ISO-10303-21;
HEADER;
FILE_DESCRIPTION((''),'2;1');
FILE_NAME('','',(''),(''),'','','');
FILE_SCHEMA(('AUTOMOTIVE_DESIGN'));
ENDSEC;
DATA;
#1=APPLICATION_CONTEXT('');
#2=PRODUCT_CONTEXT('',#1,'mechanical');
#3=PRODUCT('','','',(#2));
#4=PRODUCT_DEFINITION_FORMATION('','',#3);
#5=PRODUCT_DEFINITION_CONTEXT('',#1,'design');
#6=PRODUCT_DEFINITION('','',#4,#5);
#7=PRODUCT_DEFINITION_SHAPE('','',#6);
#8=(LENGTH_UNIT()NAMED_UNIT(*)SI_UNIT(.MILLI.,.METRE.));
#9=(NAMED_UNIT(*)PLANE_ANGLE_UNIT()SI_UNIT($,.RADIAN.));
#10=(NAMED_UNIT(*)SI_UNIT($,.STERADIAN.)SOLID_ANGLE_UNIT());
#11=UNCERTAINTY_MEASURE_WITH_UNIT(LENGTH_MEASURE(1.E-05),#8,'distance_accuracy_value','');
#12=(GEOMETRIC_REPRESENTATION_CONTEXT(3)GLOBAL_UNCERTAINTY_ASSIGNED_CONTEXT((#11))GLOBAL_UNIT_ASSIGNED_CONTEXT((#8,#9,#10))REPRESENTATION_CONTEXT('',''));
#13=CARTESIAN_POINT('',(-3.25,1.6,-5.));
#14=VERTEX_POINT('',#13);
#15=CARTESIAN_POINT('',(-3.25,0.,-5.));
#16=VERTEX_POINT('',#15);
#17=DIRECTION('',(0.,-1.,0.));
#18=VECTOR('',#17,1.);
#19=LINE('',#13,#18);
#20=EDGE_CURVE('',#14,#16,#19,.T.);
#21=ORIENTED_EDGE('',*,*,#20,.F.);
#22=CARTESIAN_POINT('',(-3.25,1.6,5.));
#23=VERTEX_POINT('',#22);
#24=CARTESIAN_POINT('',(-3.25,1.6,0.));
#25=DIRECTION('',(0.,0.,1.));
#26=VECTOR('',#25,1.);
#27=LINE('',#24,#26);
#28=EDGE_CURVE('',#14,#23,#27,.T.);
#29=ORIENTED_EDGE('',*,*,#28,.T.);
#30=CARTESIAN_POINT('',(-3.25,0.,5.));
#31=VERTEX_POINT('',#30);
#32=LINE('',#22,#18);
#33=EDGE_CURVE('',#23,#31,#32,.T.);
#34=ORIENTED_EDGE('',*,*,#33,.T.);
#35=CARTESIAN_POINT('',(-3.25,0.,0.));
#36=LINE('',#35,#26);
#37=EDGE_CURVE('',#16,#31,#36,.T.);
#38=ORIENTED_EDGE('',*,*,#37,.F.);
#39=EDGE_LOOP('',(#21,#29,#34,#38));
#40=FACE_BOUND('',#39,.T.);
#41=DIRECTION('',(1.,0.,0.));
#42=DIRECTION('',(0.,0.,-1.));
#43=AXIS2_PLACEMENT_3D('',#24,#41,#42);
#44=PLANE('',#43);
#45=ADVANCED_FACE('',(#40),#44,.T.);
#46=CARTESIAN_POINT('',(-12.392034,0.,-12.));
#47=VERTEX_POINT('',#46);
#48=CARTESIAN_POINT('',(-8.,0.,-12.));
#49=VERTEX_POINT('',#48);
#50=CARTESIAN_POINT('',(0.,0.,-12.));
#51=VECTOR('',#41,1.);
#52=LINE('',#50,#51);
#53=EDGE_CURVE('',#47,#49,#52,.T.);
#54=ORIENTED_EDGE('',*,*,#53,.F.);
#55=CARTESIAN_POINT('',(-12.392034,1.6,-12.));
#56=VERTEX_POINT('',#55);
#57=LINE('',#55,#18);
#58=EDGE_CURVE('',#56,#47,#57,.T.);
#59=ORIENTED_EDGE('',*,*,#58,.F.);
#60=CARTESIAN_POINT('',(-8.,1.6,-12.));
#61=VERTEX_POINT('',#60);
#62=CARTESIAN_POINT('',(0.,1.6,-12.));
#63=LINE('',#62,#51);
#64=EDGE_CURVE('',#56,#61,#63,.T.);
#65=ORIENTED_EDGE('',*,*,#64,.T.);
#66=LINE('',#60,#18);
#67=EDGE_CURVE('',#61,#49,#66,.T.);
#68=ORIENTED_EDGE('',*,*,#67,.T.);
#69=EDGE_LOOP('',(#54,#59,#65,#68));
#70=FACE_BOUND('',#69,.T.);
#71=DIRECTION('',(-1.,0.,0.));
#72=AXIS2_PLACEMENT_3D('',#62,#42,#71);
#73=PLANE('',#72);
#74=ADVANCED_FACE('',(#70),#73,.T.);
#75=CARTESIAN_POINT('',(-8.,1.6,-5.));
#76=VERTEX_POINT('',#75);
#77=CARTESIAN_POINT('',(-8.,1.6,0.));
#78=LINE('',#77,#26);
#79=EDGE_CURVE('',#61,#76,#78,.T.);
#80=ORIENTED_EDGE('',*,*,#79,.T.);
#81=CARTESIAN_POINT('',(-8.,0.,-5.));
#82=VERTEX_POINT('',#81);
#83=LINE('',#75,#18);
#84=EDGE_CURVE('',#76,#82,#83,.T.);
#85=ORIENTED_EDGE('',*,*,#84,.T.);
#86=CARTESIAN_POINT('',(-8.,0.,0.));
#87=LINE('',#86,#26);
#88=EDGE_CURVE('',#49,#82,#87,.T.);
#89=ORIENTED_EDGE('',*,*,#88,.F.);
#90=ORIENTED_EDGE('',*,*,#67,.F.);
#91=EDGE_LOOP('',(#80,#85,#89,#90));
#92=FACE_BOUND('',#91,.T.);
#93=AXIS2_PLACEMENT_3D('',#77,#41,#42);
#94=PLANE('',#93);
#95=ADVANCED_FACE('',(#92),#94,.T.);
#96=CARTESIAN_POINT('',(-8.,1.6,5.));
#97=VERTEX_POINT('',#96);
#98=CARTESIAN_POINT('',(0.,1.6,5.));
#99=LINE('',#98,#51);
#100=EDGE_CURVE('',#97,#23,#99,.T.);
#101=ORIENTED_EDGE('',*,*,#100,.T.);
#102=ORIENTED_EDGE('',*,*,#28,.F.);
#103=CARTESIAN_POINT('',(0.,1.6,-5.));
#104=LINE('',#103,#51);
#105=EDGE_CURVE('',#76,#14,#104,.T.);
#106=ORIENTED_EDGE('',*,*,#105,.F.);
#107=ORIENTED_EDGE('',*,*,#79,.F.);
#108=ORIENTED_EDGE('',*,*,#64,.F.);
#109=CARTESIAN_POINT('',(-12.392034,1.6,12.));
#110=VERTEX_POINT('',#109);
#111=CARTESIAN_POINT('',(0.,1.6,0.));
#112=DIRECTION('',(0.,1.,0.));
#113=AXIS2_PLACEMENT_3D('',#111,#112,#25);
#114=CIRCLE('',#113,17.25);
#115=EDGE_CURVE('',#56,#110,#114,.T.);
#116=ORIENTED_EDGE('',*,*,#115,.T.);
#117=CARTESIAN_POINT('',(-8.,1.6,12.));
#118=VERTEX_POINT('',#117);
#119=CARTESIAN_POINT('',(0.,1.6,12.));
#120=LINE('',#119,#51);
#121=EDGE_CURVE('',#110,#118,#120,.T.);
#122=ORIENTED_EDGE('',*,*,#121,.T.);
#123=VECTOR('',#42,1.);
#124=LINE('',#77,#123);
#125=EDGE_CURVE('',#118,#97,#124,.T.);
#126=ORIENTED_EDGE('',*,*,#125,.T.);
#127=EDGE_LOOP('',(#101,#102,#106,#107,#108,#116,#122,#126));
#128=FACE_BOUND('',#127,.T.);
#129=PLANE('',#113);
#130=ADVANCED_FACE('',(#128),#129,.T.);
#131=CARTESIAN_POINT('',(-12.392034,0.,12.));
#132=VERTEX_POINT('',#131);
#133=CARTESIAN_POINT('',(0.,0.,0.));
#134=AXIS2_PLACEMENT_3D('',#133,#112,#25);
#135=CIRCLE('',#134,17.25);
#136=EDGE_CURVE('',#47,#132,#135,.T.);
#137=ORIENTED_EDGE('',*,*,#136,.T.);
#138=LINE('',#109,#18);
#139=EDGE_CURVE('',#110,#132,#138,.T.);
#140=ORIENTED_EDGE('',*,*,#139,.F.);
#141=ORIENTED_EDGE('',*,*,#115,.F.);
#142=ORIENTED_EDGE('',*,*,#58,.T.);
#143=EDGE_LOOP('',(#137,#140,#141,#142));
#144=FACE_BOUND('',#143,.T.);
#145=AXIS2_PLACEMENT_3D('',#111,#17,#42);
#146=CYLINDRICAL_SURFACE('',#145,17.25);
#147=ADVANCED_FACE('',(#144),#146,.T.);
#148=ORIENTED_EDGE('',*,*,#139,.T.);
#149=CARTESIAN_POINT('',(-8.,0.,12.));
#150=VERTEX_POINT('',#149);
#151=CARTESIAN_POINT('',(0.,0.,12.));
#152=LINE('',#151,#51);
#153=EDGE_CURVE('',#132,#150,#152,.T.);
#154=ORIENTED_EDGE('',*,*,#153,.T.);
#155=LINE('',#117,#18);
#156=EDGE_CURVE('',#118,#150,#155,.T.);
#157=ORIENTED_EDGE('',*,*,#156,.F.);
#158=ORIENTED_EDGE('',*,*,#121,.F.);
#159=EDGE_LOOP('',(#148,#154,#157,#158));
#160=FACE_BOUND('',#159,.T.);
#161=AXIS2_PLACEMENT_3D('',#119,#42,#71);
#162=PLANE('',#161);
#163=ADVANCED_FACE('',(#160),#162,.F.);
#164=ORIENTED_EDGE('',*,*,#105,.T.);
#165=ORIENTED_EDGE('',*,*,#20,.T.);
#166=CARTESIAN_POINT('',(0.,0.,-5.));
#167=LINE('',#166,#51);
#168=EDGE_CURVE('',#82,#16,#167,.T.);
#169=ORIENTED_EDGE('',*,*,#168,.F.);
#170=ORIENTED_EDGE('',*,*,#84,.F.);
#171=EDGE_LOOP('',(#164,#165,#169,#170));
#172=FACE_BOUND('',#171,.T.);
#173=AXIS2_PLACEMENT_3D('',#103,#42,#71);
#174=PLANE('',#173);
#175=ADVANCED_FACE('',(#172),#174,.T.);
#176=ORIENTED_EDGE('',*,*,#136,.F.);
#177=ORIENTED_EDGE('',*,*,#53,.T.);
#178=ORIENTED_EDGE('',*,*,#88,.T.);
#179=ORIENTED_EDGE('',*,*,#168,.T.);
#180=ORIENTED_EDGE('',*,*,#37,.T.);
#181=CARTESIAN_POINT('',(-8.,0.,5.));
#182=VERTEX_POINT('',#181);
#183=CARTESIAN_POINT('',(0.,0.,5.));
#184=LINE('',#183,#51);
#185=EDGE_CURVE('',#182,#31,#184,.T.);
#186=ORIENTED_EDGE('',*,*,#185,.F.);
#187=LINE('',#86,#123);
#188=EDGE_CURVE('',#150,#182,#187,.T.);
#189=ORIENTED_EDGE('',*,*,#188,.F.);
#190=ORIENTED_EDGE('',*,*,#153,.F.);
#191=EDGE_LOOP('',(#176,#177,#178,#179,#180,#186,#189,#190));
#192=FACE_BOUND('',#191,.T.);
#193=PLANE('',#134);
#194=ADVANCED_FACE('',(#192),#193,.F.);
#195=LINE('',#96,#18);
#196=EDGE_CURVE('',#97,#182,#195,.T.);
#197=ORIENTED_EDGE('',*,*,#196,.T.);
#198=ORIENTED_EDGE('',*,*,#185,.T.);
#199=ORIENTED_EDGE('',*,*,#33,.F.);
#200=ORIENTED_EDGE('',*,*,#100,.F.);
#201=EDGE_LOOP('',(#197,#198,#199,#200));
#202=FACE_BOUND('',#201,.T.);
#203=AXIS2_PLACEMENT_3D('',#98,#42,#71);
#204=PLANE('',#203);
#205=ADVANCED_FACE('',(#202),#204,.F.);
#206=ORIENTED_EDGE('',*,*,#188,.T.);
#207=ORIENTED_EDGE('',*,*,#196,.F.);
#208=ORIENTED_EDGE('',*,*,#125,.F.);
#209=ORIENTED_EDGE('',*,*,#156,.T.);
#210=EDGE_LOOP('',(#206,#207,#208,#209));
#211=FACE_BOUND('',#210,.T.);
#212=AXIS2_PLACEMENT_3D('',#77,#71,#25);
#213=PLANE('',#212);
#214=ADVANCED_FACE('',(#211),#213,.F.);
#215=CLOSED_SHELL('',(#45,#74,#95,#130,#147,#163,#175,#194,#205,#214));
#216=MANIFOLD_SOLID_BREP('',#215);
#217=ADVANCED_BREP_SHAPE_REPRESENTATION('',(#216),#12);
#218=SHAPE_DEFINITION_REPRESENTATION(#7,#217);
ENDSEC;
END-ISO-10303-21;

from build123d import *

# Parameters (mm, degrees)
BOSS_EXTRUDE1_DEPTH = 1.6


with BuildPart() as part:
    # Sketch1 → Boss-Extrude1 (new body)
    with BuildSketch(Plane(origin=(0, 0, 0), x_dir=(1, 0, 0), z_dir=(0, 1, 0))):
        with BuildLine():
            Line((-3.25, 0), (-17.25, 0))
            ThreePointArc((-17.25, 0), (-15.989450927, -6.473017771), (-12.392033731, -12))
            Line((-12.392033731, -12), (-8, -12))
            Line((-8, -12), (-8, -5))
            Line((-8, -5), (-3.25, -5))
            Line((-3.25, -5), (-3.25, 0))
        make_face()
        with BuildLine():
            Line((-8, 12), (-12.392033731, 12))
            ThreePointArc((-12.392033731, 12), (-15.989450927, 6.473017771), (-17.25, 0))
            Line((-17.25, 0), (-3.25, 0))
            Line((-3.25, 0), (-3.25, 5))
            Line((-3.25, 5), (-8, 5))
            Line((-8, 5), (-8, 12))
        make_face()
    extrude(amount=BOSS_EXTRUDE1_DEPTH)


solid = part.part
